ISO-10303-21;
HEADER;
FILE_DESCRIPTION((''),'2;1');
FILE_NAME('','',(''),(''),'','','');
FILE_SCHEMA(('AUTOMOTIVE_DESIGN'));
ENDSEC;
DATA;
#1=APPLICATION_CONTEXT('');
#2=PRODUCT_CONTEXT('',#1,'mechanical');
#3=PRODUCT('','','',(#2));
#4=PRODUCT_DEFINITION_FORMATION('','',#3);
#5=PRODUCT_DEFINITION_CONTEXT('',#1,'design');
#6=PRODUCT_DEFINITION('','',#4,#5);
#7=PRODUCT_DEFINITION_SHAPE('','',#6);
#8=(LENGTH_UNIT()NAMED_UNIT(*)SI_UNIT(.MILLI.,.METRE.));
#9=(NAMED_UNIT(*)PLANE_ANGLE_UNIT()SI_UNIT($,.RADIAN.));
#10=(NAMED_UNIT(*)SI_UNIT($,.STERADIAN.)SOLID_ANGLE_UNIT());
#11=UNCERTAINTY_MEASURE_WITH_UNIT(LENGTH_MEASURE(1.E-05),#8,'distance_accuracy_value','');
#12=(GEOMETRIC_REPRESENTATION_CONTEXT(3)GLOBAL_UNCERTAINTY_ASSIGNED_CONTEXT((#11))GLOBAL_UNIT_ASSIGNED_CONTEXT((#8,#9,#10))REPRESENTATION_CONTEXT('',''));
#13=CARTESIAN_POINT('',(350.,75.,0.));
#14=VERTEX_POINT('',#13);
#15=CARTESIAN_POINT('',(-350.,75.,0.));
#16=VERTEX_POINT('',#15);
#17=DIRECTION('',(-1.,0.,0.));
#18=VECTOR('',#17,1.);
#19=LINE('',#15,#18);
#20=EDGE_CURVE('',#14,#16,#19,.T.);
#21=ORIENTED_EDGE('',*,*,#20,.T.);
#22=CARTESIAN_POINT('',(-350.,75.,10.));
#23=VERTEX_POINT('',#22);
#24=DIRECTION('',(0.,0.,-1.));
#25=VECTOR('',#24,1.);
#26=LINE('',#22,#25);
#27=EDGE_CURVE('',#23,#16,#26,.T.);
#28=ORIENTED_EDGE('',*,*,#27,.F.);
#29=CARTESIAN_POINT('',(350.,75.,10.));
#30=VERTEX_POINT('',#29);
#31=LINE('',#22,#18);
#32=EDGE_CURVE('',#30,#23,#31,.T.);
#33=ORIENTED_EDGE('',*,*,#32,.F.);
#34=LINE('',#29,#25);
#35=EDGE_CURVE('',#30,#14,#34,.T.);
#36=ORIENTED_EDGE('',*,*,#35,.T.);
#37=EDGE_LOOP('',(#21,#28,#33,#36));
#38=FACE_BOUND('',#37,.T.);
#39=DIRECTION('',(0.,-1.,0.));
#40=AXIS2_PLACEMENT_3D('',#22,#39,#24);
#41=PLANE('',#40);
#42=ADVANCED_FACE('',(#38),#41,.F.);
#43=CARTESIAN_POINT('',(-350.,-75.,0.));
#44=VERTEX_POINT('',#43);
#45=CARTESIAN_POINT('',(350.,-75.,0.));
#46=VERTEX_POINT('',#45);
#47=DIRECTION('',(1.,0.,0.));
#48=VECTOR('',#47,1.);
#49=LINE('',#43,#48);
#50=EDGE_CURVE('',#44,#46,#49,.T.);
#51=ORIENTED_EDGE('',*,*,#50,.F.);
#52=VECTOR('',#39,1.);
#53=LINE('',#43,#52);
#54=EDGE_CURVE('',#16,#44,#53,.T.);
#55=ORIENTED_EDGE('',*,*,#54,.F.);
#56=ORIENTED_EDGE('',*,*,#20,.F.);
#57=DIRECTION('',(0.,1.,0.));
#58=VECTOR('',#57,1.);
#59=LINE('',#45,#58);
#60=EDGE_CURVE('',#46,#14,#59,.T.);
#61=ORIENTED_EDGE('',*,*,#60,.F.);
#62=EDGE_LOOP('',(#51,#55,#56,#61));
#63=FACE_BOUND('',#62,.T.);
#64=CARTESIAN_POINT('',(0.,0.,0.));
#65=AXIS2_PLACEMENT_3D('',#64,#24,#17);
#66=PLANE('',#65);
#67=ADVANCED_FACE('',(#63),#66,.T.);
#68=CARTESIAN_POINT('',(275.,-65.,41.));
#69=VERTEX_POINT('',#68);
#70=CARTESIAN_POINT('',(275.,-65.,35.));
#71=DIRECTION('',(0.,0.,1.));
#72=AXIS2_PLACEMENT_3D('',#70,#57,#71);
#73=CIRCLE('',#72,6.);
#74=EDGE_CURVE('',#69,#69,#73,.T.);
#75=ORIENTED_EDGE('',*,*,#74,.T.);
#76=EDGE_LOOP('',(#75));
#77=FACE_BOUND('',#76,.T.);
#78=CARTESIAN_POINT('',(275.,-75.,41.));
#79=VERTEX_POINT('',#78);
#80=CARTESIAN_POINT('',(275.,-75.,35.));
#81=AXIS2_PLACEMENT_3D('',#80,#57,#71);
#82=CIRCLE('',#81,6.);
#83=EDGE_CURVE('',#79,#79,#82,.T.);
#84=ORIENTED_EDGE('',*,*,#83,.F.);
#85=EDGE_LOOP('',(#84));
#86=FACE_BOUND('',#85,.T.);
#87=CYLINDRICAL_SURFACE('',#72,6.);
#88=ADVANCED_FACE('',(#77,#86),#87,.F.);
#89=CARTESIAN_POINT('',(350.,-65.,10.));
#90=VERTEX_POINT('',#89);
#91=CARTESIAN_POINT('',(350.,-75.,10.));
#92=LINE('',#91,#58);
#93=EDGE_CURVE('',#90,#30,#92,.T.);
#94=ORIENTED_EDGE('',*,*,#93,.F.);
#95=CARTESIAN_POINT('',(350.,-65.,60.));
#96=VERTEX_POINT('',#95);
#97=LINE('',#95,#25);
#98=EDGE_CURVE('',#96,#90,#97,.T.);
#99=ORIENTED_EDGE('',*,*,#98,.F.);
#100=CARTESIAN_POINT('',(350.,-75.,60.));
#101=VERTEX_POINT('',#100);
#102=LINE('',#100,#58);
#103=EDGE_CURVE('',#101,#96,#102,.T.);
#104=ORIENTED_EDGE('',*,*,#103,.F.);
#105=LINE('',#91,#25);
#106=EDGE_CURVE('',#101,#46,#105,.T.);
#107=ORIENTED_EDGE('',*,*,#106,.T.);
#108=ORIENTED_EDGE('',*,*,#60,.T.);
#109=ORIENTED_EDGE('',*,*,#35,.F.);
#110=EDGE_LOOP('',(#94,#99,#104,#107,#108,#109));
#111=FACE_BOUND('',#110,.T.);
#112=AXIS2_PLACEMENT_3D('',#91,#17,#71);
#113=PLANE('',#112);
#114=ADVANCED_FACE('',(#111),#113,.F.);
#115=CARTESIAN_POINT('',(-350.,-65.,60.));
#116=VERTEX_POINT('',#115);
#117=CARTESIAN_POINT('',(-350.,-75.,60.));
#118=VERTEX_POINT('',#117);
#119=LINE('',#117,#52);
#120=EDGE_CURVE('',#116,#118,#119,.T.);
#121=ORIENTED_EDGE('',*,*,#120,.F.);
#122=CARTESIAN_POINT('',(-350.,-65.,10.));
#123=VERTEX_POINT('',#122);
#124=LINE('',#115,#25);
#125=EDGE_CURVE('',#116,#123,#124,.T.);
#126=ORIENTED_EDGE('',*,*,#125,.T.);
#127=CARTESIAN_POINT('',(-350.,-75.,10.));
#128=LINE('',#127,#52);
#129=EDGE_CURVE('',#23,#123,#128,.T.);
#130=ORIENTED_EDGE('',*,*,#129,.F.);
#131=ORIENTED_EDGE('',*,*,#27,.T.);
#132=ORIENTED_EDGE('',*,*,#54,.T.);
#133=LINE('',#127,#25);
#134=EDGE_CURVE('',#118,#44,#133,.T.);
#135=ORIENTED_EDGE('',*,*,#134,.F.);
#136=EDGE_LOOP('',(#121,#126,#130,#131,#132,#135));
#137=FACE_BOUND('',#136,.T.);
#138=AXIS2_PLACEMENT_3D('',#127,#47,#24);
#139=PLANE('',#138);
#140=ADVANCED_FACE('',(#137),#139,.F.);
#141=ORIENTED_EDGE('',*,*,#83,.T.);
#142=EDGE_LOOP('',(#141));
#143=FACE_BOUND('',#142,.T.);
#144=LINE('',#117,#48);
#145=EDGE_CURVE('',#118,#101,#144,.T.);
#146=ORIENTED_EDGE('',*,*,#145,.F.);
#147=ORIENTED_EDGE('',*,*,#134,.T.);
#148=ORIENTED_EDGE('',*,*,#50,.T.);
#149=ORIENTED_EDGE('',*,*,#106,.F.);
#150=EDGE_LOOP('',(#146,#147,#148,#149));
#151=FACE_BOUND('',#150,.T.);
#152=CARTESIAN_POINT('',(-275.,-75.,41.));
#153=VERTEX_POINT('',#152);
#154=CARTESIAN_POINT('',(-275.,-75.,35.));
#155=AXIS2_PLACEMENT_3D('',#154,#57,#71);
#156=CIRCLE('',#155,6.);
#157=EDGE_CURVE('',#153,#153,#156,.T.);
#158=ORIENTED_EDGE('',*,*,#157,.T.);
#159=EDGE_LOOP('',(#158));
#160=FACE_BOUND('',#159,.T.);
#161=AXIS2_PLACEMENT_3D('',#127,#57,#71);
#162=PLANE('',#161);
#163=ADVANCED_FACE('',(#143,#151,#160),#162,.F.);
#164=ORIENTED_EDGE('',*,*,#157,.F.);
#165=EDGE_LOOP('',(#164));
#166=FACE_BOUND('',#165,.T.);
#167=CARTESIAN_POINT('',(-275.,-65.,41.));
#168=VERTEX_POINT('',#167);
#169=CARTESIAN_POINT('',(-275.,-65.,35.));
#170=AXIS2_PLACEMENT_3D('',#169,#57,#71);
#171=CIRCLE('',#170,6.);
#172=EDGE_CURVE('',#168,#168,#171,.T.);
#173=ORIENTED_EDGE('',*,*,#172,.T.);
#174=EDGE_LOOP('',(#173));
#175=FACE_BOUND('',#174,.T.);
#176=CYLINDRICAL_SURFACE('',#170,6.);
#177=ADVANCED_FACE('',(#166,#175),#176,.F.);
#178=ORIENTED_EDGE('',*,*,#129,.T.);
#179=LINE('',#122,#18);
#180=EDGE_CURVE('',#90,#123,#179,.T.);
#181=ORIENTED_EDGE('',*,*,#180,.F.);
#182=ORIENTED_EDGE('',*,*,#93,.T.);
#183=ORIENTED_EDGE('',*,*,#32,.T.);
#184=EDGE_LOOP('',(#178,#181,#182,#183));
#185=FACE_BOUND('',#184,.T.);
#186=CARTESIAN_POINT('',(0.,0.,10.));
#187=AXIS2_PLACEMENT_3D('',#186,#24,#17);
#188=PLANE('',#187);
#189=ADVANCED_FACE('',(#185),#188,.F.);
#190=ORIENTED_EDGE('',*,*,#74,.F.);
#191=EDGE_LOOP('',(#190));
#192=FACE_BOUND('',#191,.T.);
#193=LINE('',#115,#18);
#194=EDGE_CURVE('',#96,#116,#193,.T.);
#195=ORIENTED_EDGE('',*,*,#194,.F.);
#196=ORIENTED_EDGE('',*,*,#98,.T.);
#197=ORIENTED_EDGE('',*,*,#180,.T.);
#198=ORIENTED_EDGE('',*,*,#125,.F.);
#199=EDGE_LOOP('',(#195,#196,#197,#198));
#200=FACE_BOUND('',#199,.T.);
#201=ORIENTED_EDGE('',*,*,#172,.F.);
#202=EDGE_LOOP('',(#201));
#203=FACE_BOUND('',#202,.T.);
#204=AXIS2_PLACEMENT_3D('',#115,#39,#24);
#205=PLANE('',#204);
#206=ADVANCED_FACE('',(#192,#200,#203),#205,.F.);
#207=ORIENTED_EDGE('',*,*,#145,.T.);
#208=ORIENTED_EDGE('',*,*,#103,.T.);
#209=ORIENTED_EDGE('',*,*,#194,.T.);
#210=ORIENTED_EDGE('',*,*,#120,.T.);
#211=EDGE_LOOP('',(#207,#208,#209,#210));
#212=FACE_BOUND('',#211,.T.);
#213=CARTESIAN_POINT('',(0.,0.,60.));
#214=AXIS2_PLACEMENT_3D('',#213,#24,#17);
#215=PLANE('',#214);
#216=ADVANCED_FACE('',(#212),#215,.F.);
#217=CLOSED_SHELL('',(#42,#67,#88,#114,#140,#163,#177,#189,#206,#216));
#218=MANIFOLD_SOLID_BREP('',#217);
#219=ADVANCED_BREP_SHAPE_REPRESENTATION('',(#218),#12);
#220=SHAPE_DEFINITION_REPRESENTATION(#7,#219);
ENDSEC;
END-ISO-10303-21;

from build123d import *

# Parameters (mm, degrees)
SZKIC1_W                    = 700
SZKIC1_H                    = 150
DODANIE_WYCI_GNI_CIE1_DEPTH = 10
SZKIC2_W                    = 700
SZKIC2_H                    = 10
DODANIE_WYCI_GNI_CIE2_DEPTH = 50
OTW_R_POD_RUB_M101_D        = 12
SZYK_LINIOWY2_COUNT         = 2
SZYK_LINIOWY2_PITCH         = 550


with BuildPart() as part:
    # Szkic1 → Dodanie-wyciągnięcie1 (new body)
    with BuildSketch(Plane.XY):
        Rectangle(SZKIC1_W, SZKIC1_H)
    extrude(amount=DODANIE_WYCI_GNI_CIE1_DEPTH)

    # Szkic2 → Dodanie-wyciągnięcie2 (add)
    with BuildSketch(Plane.XY.offset(10)):
        with Locations((0, -70)):
            Rectangle(SZKIC2_W, SZKIC2_H)
    extrude(amount=DODANIE_WYCI_GNI_CIE2_DEPTH)

    # Otwór pod śrubę M101 (through all)
    with Locations(Plane(origin=(0, -65, 0), x_dir=(1, 0, 0), z_dir=(0, 1, 0))):
        with Locations((-275, -35)):
            otw_r_pod_rub_m101 = Hole(OTW_R_POD_RUB_M101_D / 2)

    # Szyk liniowy2: Otwór pod śrubę M101 ×2
    with Locations(*[(i * SZYK_LINIOWY2_PITCH, 0, 0) for i in range(1, SZYK_LINIOWY2_COUNT)]):
        add(otw_r_pod_rub_m101, mode=Mode.SUBTRACT)


solid = part.part
